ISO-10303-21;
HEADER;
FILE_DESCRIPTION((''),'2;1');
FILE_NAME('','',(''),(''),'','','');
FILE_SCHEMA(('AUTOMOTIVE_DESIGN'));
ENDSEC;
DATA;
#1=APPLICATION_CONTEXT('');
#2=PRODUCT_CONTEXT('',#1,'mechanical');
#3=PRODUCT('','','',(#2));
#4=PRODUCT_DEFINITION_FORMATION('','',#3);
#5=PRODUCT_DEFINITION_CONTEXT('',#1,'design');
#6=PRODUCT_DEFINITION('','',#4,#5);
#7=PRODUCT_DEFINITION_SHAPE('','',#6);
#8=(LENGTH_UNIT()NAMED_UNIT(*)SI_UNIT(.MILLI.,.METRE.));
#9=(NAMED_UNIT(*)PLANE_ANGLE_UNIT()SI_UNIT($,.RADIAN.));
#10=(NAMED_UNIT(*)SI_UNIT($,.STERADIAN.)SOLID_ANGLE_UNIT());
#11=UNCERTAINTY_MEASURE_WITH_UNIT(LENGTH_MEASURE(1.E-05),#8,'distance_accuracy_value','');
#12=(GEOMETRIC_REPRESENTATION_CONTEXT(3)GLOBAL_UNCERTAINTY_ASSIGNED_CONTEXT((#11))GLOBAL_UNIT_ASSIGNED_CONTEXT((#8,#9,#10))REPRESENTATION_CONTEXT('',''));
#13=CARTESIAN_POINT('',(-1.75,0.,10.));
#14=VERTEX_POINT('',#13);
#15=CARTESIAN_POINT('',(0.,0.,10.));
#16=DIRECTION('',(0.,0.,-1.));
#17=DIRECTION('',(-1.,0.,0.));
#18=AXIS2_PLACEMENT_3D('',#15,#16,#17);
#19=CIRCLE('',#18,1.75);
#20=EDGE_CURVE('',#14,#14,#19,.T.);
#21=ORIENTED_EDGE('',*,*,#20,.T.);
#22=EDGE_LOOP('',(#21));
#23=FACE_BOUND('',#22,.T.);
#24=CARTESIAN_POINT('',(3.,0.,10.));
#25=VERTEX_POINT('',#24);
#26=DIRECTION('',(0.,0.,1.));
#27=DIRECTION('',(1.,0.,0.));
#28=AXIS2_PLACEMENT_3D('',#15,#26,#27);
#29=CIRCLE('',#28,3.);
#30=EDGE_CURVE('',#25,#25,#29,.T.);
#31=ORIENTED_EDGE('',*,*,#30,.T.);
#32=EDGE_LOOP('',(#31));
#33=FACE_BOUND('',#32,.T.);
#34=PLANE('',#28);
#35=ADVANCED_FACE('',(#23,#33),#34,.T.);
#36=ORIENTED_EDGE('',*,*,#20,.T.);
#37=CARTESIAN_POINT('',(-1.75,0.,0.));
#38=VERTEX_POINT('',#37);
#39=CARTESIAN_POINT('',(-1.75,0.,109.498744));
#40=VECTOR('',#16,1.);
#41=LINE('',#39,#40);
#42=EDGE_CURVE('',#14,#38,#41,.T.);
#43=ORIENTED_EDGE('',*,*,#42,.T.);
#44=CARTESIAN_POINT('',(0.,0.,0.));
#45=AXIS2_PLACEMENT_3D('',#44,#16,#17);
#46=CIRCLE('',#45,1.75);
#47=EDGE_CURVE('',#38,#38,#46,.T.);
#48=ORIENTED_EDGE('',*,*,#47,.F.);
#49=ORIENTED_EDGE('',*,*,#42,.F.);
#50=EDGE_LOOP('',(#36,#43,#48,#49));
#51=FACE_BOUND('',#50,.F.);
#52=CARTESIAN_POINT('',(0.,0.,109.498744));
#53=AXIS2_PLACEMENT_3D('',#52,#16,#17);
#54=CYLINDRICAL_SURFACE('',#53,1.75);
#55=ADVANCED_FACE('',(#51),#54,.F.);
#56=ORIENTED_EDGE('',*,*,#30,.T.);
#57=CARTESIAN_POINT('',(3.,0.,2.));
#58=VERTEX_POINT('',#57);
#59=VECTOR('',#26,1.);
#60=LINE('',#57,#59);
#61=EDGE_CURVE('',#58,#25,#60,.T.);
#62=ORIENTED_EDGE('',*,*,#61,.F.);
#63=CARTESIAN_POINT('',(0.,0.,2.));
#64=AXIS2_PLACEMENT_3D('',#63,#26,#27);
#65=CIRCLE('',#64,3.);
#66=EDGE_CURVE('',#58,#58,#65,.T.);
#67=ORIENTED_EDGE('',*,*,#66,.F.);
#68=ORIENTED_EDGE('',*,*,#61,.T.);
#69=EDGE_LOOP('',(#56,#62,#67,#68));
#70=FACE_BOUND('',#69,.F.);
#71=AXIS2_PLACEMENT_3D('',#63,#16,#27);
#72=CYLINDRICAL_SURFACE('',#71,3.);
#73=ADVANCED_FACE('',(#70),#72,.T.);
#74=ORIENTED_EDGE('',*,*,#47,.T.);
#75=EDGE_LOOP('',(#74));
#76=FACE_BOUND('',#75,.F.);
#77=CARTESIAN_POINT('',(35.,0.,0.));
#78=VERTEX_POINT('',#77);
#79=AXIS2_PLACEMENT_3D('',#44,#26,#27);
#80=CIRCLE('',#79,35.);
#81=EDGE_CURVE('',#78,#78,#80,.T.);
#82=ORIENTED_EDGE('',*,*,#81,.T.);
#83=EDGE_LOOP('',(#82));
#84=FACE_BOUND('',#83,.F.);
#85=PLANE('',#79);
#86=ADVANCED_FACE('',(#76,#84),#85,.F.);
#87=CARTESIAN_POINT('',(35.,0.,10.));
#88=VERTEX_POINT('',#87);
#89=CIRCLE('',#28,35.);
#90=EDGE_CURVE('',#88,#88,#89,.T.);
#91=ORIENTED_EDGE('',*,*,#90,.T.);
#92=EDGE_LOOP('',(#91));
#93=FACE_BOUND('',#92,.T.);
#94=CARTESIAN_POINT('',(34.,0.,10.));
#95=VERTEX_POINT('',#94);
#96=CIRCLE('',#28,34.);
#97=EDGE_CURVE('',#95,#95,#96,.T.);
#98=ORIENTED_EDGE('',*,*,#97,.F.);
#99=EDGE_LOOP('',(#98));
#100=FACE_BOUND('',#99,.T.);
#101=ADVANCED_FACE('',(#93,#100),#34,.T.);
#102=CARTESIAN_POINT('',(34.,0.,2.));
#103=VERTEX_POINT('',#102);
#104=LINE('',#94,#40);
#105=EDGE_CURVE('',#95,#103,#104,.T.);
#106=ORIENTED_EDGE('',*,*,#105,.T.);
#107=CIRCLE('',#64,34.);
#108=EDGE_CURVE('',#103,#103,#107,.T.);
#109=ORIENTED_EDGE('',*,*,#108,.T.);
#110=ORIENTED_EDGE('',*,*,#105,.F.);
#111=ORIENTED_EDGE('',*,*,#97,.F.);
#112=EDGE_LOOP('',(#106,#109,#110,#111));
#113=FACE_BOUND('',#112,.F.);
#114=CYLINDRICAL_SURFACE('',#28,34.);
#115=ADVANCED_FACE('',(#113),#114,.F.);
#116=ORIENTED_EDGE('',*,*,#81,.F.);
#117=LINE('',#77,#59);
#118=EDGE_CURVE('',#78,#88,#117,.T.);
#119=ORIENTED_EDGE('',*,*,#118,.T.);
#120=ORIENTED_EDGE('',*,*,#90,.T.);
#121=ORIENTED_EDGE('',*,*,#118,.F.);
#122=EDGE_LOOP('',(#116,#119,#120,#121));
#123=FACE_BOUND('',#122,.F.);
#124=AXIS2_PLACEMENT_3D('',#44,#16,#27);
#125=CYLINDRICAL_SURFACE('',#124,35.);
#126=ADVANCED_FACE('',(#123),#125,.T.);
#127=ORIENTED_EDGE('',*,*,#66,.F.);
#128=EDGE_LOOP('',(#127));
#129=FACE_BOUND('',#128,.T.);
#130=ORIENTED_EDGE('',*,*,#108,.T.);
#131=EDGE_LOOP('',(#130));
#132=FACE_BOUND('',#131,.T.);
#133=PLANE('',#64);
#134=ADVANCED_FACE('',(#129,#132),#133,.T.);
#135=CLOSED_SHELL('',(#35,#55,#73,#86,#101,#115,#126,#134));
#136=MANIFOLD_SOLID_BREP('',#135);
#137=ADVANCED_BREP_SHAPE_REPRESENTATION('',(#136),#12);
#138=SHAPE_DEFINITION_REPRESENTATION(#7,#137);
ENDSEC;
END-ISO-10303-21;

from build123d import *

# Parameters (mm, degrees)
F0_R     = 35
F1_DEPTH = 10
F2_R     = 34
F3_DEPTH = 8
F4_R     = 3
F5_DEPTH = 8
F7_D     = 3.5


with BuildPart() as f1:
    # F0 (on Top) → F1 (new body)
    with BuildSketch(Plane.XY):
        Circle(F0_R)
    extrude(amount=F1_DEPTH)

    # F2 (on face) → F3 (cut)
    with BuildSketch(Plane.XY.offset(10)):
        Circle(F2_R)
    extrude(amount=-F3_DEPTH, mode=Mode.SUBTRACT)

    # F4 (on face) → F5 (join)
    with BuildSketch(Plane.XY.offset(2)):
        Circle(F4_R)
    extrude(amount=F5_DEPTH)

    # F7 (through all)
    with Locations(Plane.XY.offset(10)):
        with Locations((0, 0)):
            Hole(F7_D / 2)


solid = f1.part
